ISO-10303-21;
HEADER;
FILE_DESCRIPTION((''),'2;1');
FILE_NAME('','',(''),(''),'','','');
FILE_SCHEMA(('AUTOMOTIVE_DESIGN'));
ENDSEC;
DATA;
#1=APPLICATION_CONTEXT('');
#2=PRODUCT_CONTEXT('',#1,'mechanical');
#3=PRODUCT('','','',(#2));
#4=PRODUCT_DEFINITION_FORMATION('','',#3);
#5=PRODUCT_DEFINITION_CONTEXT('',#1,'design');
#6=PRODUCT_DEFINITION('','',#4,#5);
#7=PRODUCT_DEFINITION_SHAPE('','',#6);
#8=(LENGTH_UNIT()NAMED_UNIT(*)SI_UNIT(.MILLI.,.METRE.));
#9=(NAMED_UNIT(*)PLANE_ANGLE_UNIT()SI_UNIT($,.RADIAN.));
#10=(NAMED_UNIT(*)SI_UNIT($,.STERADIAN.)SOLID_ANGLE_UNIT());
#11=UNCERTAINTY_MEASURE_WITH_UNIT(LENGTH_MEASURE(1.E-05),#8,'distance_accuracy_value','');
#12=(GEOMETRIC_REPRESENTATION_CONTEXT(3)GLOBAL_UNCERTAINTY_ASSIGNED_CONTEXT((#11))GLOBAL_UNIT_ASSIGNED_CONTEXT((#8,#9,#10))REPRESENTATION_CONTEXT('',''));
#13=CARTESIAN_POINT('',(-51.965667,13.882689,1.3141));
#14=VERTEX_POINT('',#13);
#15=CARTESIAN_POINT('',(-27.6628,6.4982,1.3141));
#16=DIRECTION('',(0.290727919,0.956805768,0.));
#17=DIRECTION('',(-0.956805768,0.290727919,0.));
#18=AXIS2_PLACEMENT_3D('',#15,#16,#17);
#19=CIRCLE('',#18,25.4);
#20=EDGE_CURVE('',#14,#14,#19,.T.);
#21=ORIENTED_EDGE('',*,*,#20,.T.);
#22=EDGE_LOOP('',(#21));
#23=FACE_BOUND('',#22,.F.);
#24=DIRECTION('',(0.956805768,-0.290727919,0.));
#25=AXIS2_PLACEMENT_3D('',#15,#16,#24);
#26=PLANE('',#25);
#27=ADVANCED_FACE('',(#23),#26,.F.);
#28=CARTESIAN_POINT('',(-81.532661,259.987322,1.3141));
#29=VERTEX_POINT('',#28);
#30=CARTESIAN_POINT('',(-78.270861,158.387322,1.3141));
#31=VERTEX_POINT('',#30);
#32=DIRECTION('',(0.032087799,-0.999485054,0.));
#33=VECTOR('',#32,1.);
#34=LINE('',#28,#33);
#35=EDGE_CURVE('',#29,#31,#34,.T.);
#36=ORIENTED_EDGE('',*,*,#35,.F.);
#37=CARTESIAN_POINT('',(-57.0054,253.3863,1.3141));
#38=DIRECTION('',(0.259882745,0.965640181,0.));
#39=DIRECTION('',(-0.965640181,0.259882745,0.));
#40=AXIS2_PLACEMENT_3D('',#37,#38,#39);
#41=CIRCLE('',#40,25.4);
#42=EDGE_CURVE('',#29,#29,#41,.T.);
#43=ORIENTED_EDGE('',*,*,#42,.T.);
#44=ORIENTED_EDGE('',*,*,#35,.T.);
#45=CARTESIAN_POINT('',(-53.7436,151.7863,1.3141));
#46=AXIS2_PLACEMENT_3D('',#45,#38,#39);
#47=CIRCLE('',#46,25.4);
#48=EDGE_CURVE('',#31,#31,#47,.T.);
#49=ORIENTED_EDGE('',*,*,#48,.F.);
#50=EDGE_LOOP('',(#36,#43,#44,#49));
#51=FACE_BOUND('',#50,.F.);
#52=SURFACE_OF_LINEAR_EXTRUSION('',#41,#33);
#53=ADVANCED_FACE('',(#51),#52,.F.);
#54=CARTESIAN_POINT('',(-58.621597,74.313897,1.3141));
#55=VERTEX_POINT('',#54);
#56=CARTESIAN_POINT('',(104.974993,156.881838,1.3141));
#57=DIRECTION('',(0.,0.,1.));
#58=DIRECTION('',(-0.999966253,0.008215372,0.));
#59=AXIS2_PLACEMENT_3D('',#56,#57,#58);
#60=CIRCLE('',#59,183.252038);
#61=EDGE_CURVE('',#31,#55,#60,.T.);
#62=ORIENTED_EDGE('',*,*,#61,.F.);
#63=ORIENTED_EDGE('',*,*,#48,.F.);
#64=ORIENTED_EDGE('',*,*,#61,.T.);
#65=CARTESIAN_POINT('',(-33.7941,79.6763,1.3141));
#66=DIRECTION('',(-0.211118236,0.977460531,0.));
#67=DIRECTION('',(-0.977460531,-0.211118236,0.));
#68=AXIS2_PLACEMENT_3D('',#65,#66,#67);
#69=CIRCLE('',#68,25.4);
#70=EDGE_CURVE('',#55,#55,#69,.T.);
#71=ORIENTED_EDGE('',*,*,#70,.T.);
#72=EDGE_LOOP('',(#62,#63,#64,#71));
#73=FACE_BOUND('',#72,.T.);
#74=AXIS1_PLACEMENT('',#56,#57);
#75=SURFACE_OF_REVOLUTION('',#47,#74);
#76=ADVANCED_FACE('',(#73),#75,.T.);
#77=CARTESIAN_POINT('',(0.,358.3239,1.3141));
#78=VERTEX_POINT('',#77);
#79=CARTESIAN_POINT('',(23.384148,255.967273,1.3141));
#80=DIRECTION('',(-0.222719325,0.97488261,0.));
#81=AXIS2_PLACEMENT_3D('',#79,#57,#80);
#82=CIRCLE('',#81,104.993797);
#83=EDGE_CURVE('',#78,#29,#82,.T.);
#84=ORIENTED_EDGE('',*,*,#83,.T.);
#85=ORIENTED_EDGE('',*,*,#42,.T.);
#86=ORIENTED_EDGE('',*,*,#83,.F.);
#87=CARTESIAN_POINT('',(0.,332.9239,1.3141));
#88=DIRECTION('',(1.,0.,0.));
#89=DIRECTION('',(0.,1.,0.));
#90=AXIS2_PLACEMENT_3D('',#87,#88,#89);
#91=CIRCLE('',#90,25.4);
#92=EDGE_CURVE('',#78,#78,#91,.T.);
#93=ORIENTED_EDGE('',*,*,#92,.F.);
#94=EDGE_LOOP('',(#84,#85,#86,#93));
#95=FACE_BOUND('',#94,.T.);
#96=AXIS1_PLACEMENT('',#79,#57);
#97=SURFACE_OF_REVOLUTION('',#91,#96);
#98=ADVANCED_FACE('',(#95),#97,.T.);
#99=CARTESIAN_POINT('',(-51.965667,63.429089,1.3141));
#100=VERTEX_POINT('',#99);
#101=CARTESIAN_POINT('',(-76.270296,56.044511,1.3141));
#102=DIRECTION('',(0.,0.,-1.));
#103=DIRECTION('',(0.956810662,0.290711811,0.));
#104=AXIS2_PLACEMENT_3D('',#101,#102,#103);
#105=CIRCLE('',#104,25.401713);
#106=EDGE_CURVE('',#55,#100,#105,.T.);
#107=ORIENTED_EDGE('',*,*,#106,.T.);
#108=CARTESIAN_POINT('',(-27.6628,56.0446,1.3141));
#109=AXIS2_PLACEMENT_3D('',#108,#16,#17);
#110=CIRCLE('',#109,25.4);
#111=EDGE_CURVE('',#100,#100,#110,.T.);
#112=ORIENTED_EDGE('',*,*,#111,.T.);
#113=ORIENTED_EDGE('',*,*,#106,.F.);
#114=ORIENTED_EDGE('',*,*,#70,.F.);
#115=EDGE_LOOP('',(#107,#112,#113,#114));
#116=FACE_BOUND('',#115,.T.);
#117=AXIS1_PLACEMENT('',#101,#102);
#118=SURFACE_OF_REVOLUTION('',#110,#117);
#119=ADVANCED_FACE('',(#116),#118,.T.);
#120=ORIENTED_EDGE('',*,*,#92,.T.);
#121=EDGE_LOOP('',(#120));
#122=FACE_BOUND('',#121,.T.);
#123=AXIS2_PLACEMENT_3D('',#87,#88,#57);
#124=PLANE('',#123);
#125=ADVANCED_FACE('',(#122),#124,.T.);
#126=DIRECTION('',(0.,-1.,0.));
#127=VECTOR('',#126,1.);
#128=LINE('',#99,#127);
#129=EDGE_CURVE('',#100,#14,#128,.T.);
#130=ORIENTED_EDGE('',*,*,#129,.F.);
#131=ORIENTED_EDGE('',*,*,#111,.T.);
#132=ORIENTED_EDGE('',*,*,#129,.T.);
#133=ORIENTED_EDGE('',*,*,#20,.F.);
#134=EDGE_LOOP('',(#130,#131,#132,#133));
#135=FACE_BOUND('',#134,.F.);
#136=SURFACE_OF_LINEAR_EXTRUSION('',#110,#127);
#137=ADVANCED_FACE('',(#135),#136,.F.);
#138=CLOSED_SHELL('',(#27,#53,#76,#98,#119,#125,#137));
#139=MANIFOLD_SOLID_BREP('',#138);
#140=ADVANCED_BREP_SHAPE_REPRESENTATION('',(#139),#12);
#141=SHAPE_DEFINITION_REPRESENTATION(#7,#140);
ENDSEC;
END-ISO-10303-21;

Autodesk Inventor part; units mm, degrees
ref_plane "YZ Plane" through (0, 0, 0) normal (1, 0, 0) x (0, 1, 0)
ref_plane "XZ Plane" through (0, 0, 0) normal (0, 1, 0) x (-1, 0, 0)
ref_plane "XY Plane" through (0, 0, 0) normal (0, 0, 1) x (1, 0, 0)
sketch "Sketch2" plane through (0, 0, 0) normal (1, 0, 0) x (0, 1, 0)
  circle A0 centre (332.9239, 1.3141) radius 25.4
  point P0 (0, 0)
  point P1 (332.9239, 0)
  dimension "d7" = 50.8
sketch "Sketch1" plane through (0, 0, 0) normal (0, 0, 1) x (1, 0, 0)
  arc A0 (0, 332.9239) -> (-57.0054, 253.3863) centre (23.3842, 255.9672) ccw
  arc A1 (-53.7436, 151.7863) -> (-33.7941, 79.6763) centre (104.9754, 156.8819) ccw
  line L0 (-57.0054, 253.3863) -> (-53.7436, 151.7863)
  line L1 (0, -68.5181) -> (0, 411.1086) projected
  arc A2 (-27.6628, 56.0446) -> (-33.7941, 79.6763) centre (-76.2696, 56.0446) ccw
  line L2 (-27.6628, 56.0446) -> (-27.6628, 6.4982)
  point P0 (0, 0)
  dimension "d0" = 80.4311
  dimension "d2" = 101.6
  dimension "d5" = 332.9239
sweep "Sweep1" add profiles "Sketch2" path "Sketch1" path curves A0 L0 A1 A2 L2
properties part number "CO2FeedPipe"
